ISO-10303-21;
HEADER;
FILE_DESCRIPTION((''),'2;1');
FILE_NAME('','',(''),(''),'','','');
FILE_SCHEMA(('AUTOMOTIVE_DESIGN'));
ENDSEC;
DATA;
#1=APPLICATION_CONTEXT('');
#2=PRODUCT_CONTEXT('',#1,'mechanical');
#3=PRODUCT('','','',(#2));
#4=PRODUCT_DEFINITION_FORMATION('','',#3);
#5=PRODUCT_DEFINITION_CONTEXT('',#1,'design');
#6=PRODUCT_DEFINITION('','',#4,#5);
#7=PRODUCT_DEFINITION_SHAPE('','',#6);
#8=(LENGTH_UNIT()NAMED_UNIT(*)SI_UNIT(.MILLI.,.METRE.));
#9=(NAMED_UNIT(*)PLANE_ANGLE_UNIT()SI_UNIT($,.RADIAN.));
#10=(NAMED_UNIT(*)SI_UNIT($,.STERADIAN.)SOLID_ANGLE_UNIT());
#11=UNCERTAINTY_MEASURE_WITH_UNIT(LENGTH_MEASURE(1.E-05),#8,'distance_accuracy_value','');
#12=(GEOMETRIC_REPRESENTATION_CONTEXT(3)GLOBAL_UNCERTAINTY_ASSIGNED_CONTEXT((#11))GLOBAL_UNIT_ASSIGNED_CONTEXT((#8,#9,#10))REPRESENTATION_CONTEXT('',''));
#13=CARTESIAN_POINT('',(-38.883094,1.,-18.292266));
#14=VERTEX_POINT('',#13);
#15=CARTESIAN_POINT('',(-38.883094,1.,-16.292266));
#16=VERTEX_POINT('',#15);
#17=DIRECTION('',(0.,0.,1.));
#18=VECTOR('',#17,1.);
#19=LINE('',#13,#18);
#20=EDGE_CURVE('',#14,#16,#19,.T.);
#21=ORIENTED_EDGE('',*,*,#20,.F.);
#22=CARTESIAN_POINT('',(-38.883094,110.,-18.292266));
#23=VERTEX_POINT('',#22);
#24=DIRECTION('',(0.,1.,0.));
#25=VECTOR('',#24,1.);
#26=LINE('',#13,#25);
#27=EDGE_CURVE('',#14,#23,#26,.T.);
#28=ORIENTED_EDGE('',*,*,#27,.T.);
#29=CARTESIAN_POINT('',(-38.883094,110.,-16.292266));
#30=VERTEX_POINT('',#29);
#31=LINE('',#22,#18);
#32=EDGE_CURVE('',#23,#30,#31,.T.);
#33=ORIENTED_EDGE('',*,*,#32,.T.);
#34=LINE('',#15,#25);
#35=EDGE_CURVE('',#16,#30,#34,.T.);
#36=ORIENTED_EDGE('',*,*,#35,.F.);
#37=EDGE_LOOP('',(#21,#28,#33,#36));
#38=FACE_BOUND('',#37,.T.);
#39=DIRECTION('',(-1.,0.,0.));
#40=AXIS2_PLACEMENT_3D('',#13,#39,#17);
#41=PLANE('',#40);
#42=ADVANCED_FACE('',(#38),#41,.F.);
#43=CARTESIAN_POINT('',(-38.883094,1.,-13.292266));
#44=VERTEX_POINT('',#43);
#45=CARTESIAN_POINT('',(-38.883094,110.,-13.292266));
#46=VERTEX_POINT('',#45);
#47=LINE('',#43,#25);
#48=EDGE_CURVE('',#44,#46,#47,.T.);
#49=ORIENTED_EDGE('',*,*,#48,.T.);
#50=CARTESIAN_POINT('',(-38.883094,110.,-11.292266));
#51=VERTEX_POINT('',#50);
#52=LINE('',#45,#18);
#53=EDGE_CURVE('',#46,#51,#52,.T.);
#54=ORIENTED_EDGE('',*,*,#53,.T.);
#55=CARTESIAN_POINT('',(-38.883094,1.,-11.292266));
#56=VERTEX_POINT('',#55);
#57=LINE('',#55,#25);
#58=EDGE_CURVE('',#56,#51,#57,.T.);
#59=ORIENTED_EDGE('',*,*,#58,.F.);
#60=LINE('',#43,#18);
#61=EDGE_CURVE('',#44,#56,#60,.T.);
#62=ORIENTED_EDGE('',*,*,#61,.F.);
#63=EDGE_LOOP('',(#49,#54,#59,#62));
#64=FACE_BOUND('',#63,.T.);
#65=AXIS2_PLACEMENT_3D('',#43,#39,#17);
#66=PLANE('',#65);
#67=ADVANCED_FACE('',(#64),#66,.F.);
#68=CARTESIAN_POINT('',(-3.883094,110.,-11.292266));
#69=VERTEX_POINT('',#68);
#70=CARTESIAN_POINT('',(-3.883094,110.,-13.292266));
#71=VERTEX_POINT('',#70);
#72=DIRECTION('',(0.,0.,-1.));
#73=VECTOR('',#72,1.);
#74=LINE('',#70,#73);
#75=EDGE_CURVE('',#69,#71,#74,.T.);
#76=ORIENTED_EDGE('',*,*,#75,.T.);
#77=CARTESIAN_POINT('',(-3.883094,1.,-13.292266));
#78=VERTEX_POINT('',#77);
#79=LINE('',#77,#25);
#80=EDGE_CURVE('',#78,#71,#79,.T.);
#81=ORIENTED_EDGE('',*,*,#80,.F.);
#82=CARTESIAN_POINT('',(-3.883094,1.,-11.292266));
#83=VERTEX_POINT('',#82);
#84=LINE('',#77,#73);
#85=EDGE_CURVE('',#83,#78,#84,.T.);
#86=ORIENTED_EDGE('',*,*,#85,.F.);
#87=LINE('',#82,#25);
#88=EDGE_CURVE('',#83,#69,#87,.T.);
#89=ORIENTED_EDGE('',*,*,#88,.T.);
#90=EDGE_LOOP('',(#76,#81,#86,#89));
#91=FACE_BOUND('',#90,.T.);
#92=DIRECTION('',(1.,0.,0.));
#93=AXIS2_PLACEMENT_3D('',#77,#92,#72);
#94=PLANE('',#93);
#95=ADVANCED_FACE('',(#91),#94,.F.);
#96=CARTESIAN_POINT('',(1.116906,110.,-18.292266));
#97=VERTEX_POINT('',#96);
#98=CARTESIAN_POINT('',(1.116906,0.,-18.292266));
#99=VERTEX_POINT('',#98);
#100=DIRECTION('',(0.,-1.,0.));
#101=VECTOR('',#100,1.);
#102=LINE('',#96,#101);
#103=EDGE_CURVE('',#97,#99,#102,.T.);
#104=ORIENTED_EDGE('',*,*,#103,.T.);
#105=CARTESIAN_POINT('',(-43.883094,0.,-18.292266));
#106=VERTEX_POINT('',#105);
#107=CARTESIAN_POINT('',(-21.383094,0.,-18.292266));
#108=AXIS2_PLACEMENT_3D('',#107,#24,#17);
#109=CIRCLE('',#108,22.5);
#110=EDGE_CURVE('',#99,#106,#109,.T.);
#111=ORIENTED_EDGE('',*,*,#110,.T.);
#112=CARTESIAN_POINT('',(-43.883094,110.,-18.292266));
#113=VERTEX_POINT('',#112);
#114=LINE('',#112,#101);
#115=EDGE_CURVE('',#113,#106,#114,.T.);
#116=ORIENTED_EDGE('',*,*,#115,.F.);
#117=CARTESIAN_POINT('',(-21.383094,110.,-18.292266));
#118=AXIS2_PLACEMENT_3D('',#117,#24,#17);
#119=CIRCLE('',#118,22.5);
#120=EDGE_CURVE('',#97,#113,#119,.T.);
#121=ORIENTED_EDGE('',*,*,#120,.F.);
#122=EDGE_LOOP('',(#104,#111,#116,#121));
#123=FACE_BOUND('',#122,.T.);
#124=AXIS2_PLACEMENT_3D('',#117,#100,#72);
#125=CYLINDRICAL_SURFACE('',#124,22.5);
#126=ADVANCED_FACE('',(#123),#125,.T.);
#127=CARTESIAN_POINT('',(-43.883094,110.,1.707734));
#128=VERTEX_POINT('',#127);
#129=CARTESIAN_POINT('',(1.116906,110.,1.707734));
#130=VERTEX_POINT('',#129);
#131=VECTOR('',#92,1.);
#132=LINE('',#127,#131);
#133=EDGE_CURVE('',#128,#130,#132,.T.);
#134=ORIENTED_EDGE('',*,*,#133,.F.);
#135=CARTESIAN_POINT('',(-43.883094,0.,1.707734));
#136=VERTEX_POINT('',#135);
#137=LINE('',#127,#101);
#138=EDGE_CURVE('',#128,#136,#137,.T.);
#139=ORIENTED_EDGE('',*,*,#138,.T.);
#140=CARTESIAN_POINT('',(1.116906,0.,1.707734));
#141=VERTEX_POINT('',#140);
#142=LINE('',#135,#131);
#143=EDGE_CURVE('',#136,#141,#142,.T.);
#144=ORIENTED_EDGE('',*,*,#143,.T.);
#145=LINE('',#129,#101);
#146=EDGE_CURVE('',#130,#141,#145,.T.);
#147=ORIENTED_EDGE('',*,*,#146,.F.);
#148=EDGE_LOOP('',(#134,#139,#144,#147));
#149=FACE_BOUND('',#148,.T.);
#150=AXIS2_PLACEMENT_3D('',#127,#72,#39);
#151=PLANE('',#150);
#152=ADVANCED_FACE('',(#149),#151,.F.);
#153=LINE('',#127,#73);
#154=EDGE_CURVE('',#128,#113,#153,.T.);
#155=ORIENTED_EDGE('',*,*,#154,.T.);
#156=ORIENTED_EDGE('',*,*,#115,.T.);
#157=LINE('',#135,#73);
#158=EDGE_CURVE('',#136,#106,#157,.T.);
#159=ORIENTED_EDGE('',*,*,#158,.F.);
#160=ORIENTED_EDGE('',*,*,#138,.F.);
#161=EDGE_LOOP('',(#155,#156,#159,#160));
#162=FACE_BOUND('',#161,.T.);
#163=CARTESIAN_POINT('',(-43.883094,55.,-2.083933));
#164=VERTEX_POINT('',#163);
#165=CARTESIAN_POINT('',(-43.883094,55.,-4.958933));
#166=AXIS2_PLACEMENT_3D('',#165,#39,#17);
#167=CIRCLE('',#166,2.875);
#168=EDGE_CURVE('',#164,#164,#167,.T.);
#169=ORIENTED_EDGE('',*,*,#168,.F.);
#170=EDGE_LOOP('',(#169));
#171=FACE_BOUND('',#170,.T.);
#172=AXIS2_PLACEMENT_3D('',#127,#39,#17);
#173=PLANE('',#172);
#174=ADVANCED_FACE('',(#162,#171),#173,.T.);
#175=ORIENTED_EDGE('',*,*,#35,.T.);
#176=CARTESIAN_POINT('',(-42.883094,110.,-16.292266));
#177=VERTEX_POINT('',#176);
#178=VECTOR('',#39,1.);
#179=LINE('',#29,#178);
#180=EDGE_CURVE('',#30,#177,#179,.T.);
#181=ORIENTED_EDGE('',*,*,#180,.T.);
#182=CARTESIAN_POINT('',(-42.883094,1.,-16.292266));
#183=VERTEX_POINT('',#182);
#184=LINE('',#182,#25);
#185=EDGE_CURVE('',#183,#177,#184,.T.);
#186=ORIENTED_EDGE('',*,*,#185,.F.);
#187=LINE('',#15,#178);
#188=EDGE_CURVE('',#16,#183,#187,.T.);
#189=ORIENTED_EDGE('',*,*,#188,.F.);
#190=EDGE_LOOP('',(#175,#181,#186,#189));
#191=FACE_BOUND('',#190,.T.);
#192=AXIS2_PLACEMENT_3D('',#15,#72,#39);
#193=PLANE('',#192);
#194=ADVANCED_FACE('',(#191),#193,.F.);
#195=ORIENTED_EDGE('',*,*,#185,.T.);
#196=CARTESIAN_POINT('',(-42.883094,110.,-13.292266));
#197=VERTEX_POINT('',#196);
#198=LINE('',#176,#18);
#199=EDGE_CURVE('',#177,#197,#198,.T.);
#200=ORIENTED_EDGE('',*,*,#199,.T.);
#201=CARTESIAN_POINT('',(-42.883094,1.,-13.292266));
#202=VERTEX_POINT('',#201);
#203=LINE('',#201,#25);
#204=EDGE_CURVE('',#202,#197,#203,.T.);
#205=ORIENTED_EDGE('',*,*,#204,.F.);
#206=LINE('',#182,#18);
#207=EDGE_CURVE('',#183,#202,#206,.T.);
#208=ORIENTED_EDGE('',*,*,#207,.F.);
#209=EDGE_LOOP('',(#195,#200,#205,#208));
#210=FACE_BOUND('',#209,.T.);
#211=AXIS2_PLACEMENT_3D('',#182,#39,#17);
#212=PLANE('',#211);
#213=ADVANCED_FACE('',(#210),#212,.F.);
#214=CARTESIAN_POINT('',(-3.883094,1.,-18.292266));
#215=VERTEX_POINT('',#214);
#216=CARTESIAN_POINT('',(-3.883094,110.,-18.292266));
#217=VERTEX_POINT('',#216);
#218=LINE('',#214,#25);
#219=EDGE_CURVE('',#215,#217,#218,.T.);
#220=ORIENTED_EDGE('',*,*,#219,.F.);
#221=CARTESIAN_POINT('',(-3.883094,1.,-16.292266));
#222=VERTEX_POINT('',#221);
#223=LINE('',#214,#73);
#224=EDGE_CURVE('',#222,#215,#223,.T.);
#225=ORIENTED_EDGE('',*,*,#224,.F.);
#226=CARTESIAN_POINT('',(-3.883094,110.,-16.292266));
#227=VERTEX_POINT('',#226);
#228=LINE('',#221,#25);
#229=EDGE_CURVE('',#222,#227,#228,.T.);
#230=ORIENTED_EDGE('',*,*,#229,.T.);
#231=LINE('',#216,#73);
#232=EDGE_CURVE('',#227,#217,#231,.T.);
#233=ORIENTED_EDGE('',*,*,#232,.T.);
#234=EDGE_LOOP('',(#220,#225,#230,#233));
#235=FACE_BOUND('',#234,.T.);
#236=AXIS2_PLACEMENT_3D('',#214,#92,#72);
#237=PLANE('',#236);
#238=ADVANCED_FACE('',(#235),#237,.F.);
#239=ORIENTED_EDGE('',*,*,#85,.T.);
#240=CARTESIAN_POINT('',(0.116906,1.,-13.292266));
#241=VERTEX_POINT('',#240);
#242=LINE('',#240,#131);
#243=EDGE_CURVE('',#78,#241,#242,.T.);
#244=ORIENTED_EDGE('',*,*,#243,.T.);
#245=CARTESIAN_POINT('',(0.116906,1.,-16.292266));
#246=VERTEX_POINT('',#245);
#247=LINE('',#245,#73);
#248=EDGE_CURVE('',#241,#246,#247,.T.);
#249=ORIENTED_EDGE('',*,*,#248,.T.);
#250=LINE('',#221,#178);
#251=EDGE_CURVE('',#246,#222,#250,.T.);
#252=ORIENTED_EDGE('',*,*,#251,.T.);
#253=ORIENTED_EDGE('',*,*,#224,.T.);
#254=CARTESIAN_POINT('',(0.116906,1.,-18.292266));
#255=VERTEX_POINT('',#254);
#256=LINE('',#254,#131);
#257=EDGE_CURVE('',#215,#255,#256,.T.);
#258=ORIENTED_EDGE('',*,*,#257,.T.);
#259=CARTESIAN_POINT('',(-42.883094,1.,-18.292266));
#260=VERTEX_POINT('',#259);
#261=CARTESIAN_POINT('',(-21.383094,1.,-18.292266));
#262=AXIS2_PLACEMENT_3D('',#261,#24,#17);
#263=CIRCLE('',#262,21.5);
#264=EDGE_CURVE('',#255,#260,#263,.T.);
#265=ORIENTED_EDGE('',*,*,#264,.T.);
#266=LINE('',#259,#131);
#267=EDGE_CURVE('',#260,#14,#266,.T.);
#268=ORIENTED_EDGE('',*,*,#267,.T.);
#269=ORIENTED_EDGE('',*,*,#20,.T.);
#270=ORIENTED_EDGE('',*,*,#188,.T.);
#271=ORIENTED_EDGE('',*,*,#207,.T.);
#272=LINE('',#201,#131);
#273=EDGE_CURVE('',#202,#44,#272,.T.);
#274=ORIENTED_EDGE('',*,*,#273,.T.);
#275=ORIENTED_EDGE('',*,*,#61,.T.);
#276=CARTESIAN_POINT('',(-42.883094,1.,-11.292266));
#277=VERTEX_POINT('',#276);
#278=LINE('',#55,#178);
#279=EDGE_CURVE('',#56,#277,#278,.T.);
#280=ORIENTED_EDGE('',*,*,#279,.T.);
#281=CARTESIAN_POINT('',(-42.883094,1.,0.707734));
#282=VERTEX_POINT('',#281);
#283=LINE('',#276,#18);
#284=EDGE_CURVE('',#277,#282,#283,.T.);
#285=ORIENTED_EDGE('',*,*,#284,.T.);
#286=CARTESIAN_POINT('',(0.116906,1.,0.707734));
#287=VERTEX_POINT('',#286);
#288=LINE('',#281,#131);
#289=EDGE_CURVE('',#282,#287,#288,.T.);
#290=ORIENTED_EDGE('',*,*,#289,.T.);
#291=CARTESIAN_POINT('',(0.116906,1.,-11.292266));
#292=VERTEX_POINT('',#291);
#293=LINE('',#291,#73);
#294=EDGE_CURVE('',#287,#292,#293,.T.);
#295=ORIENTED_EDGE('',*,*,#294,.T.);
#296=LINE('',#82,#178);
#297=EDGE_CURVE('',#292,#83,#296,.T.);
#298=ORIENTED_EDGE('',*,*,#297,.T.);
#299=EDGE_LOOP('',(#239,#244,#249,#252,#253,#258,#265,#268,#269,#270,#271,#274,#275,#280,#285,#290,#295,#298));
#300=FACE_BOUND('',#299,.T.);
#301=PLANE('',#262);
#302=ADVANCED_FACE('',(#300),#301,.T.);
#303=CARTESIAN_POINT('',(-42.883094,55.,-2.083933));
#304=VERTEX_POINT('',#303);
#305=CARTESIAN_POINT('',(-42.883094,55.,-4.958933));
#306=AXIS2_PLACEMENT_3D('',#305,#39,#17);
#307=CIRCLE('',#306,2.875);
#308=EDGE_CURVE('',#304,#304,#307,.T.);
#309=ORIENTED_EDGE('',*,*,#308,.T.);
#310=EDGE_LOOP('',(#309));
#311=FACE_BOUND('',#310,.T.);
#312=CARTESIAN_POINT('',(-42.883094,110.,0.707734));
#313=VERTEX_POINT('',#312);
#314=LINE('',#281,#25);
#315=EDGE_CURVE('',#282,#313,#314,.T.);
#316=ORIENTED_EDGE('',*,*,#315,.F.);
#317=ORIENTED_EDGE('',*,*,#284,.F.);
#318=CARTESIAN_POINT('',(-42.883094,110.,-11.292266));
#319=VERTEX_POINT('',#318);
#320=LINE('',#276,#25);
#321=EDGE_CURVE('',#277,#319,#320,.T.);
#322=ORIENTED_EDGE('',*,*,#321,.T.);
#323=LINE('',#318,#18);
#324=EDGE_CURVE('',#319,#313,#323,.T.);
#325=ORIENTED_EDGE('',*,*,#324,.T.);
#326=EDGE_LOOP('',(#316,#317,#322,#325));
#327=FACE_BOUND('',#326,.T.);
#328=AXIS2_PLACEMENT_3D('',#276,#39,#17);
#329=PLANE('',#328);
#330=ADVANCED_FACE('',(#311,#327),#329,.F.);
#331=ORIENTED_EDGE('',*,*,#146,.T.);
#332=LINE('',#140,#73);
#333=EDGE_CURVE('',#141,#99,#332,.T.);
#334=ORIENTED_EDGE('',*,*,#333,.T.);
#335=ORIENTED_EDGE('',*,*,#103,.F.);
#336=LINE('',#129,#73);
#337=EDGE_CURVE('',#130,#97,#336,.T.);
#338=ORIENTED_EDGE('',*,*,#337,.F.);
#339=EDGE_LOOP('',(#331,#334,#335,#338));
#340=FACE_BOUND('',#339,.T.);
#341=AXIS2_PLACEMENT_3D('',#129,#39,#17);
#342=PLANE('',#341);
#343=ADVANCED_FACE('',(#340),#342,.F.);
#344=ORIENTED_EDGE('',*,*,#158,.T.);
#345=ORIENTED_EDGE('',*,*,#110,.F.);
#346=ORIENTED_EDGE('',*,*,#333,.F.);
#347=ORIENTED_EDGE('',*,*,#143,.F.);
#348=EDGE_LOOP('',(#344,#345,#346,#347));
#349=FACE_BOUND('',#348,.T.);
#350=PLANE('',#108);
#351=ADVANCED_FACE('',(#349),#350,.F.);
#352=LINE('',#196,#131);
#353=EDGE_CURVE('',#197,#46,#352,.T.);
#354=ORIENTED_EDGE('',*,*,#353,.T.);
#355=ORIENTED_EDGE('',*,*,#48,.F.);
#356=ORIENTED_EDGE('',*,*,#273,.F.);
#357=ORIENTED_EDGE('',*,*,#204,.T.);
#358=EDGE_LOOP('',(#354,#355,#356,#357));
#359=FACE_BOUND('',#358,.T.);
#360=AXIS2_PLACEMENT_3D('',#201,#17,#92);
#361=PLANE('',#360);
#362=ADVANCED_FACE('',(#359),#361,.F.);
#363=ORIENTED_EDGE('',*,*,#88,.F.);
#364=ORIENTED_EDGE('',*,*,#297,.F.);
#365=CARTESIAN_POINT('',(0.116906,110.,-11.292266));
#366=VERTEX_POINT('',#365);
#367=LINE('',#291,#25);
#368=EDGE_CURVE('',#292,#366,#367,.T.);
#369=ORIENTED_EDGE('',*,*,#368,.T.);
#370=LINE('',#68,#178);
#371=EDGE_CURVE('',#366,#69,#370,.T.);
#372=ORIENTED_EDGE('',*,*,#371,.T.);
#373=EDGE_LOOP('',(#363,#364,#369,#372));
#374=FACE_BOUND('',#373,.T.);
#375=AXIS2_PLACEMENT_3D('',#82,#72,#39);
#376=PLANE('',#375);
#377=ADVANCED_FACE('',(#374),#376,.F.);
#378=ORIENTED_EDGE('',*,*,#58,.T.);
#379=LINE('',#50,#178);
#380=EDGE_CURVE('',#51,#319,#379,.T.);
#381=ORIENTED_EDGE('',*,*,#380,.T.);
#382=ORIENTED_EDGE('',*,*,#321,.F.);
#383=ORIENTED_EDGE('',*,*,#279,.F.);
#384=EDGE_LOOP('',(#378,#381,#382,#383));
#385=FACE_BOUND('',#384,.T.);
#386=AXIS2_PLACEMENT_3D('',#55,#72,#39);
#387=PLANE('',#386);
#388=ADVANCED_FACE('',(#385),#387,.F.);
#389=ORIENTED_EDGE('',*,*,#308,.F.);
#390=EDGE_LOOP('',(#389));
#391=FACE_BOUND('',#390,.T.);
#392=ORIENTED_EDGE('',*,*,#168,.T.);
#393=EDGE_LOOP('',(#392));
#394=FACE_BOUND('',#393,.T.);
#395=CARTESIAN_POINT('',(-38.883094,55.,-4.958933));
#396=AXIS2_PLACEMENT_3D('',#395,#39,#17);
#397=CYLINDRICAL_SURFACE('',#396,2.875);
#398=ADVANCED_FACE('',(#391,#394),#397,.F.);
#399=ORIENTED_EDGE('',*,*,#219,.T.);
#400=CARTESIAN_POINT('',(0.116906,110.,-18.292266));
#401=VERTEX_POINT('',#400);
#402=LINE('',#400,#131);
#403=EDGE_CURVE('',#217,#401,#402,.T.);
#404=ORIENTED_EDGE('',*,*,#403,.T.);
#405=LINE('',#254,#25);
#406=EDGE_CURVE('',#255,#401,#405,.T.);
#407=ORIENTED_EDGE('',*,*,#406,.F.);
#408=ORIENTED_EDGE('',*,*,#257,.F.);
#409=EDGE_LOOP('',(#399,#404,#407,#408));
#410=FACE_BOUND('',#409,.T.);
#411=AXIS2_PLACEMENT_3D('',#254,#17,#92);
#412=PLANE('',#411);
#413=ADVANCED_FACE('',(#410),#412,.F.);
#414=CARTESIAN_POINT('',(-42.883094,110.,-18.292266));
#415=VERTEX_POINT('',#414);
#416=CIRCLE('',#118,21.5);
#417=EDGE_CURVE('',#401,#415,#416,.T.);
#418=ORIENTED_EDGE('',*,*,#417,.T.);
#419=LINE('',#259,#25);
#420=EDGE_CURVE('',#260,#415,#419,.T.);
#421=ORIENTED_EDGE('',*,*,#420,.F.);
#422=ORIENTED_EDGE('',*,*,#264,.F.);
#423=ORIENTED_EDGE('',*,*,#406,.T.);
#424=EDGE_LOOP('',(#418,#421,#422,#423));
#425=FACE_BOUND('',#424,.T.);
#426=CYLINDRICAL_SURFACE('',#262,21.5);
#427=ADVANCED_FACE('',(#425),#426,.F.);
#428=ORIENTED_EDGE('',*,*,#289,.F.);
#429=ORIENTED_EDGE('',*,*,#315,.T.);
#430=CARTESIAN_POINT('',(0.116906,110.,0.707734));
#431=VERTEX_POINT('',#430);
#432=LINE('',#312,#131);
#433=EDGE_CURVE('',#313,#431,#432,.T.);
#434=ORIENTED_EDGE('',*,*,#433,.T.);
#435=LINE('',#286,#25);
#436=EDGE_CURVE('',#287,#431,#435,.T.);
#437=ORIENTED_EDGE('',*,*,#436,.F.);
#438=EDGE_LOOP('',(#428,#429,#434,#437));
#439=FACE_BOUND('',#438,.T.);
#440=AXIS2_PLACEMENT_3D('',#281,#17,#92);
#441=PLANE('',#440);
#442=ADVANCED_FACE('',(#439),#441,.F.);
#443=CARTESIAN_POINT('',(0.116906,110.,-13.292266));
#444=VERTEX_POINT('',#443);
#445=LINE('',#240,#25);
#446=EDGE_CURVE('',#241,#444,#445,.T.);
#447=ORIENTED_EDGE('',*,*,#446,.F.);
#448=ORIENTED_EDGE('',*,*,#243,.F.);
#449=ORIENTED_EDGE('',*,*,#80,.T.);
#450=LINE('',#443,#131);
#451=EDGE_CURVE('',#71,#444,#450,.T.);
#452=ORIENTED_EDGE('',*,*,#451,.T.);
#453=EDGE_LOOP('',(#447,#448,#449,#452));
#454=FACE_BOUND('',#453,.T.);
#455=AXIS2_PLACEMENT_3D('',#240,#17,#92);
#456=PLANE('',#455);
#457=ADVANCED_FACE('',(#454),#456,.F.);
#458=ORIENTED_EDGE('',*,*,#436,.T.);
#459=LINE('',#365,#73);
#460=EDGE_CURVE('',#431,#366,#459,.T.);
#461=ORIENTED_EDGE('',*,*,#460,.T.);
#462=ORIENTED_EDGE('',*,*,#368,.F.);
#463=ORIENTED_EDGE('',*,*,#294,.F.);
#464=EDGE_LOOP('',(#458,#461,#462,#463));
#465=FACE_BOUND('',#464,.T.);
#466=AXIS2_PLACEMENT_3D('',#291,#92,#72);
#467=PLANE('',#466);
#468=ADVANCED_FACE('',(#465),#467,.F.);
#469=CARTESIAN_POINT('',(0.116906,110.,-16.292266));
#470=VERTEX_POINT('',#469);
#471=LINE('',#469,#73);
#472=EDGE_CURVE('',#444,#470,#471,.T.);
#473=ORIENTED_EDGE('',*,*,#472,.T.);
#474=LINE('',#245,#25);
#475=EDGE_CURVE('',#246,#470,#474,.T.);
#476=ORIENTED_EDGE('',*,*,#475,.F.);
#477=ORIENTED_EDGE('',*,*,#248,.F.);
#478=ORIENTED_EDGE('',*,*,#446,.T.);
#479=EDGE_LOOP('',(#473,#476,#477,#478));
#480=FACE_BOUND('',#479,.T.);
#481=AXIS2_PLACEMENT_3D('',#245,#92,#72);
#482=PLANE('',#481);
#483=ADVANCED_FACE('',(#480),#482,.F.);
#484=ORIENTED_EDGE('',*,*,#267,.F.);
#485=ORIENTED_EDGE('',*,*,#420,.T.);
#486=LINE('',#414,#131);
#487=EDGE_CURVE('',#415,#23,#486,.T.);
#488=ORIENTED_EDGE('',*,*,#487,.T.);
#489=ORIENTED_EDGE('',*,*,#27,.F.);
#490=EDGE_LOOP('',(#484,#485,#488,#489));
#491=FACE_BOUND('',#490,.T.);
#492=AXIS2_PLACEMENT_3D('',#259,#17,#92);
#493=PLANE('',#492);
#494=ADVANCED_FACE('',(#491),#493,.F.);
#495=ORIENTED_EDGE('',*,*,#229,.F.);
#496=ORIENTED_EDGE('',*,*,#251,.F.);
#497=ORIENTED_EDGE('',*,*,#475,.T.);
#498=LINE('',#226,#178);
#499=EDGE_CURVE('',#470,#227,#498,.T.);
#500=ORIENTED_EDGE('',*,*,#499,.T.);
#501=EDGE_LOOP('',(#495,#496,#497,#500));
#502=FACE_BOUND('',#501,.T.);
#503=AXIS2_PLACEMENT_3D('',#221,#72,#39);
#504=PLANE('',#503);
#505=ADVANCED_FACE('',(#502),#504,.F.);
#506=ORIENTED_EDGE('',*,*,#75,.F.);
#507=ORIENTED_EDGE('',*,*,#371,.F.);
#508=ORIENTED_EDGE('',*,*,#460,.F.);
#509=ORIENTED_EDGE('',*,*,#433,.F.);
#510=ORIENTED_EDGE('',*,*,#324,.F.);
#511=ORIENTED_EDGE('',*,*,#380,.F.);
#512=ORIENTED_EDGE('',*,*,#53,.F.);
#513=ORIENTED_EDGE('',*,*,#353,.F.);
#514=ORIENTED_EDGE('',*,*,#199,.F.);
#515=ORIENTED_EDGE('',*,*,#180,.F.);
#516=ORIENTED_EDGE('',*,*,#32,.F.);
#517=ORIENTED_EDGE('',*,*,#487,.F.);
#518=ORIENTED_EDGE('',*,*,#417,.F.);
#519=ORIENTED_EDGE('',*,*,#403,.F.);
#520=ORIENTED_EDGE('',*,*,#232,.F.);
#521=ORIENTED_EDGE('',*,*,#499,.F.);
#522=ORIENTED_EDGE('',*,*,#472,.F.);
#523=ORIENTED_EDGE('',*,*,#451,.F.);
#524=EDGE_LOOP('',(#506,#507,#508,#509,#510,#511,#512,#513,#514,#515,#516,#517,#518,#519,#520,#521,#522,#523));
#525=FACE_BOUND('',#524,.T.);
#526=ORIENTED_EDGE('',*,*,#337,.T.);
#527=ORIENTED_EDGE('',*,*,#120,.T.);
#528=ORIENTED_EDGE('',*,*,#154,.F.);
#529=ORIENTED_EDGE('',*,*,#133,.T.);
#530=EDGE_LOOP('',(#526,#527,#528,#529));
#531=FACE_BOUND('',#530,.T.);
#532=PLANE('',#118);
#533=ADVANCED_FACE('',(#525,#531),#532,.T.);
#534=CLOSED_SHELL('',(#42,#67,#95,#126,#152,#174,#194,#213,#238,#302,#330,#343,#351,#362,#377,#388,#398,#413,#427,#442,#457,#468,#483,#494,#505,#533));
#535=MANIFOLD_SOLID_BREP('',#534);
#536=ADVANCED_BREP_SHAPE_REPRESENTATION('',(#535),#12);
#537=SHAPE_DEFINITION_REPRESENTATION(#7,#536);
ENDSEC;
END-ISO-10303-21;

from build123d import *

# Parameters (mm, degrees)
BOSS_EXTRUDE1_DEPTH = 110
CUT_EXTRUDE1_DEPTH  = 109
SKETCH3_R           = 2.875
CUT_EXTRUDE2_DEPTH  = 5


with BuildPart() as part:
    # Sketch1 → Boss-Extrude1 (new body)
    with BuildSketch(Plane(origin=(0, 0, 0), x_dir=(1, 0, 0), z_dir=(0, 1, 0))):
        with BuildLine():
            Line((-43.883093525, -1.707733813), (1.116906475, -1.707733813))
            Line((1.116906475, -1.707733813), (1.116906475, 18.292266187))
            ThreePointArc((1.116906475, 18.292266187), (-21.383093525, 40.792266187), (-43.883093525, 18.292266187))
            Line((-43.883093525, 18.292266187), (-43.883093525, -1.707733813))
        make_face()
    extrude(amount=BOSS_EXTRUDE1_DEPTH)

    # Sketch2 → Cut-Extrude1 (cut)
    with BuildSketch(Plane(origin=(0, 110, 0), x_dir=(1, 0, 0), z_dir=(0, 1, 0))):
        with BuildLine():
            Line((-42.883093525, 16.292266187), (-42.883093525, 13.292266187))
            Line((-42.883093525, 13.292266187), (-38.883093525, 13.292266187))
            Line((-38.883093525, 13.292266187), (-38.883093525, 11.292266187))
            Line((-38.883093525, 11.292266187), (-42.883093525, 11.292266187))
            Line((-42.883093525, 11.292266187), (-42.883093525, -0.707733813))
            Line((-42.883093525, -0.707733813), (0.116906475, -0.707733813))
            Line((0.116906475, -0.707733813), (0.116906475, 11.292266187))
            Line((0.116906475, 11.292266187), (-3.883093525, 11.292266187))
            Line((-3.883093525, 11.292266187), (-3.883093525, 13.292266187))
            Line((-3.883093525, 13.292266187), (0.116906475, 13.292266187))
            Line((0.116906475, 13.292266187), (0.116906475, 16.292266187))
            Line((0.116906475, 16.292266187), (-3.883093525, 16.292266187))
            Line((-3.883093525, 16.292266187), (-3.883093525, 18.292266187))
            Line((-3.883093525, 18.292266187), (0.116906475, 18.292266187))
            ThreePointArc((0.116906475, 18.292266187), (-21.383093525, 39.792266187), (-42.883093525, 18.292266187))
            Line((-42.883093525, 18.292266187), (-38.883093525, 18.292266187))
            Line((-38.883093525, 18.292266187), (-38.883093525, 16.292266187))
            Line((-38.883093525, 16.292266187), (-42.883093525, 16.292266187))
        make_face()
    extrude(amount=-CUT_EXTRUDE1_DEPTH, mode=Mode.SUBTRACT)

    # Sketch3 → Cut-Extrude2 (cut)
    with BuildSketch(Plane.ZY.offset(43.883093525)):
        with Locations((-4.958932854, 55)):
            Circle(SKETCH3_R)
    extrude(amount=-CUT_EXTRUDE2_DEPTH, mode=Mode.SUBTRACT)


solid = part.part
